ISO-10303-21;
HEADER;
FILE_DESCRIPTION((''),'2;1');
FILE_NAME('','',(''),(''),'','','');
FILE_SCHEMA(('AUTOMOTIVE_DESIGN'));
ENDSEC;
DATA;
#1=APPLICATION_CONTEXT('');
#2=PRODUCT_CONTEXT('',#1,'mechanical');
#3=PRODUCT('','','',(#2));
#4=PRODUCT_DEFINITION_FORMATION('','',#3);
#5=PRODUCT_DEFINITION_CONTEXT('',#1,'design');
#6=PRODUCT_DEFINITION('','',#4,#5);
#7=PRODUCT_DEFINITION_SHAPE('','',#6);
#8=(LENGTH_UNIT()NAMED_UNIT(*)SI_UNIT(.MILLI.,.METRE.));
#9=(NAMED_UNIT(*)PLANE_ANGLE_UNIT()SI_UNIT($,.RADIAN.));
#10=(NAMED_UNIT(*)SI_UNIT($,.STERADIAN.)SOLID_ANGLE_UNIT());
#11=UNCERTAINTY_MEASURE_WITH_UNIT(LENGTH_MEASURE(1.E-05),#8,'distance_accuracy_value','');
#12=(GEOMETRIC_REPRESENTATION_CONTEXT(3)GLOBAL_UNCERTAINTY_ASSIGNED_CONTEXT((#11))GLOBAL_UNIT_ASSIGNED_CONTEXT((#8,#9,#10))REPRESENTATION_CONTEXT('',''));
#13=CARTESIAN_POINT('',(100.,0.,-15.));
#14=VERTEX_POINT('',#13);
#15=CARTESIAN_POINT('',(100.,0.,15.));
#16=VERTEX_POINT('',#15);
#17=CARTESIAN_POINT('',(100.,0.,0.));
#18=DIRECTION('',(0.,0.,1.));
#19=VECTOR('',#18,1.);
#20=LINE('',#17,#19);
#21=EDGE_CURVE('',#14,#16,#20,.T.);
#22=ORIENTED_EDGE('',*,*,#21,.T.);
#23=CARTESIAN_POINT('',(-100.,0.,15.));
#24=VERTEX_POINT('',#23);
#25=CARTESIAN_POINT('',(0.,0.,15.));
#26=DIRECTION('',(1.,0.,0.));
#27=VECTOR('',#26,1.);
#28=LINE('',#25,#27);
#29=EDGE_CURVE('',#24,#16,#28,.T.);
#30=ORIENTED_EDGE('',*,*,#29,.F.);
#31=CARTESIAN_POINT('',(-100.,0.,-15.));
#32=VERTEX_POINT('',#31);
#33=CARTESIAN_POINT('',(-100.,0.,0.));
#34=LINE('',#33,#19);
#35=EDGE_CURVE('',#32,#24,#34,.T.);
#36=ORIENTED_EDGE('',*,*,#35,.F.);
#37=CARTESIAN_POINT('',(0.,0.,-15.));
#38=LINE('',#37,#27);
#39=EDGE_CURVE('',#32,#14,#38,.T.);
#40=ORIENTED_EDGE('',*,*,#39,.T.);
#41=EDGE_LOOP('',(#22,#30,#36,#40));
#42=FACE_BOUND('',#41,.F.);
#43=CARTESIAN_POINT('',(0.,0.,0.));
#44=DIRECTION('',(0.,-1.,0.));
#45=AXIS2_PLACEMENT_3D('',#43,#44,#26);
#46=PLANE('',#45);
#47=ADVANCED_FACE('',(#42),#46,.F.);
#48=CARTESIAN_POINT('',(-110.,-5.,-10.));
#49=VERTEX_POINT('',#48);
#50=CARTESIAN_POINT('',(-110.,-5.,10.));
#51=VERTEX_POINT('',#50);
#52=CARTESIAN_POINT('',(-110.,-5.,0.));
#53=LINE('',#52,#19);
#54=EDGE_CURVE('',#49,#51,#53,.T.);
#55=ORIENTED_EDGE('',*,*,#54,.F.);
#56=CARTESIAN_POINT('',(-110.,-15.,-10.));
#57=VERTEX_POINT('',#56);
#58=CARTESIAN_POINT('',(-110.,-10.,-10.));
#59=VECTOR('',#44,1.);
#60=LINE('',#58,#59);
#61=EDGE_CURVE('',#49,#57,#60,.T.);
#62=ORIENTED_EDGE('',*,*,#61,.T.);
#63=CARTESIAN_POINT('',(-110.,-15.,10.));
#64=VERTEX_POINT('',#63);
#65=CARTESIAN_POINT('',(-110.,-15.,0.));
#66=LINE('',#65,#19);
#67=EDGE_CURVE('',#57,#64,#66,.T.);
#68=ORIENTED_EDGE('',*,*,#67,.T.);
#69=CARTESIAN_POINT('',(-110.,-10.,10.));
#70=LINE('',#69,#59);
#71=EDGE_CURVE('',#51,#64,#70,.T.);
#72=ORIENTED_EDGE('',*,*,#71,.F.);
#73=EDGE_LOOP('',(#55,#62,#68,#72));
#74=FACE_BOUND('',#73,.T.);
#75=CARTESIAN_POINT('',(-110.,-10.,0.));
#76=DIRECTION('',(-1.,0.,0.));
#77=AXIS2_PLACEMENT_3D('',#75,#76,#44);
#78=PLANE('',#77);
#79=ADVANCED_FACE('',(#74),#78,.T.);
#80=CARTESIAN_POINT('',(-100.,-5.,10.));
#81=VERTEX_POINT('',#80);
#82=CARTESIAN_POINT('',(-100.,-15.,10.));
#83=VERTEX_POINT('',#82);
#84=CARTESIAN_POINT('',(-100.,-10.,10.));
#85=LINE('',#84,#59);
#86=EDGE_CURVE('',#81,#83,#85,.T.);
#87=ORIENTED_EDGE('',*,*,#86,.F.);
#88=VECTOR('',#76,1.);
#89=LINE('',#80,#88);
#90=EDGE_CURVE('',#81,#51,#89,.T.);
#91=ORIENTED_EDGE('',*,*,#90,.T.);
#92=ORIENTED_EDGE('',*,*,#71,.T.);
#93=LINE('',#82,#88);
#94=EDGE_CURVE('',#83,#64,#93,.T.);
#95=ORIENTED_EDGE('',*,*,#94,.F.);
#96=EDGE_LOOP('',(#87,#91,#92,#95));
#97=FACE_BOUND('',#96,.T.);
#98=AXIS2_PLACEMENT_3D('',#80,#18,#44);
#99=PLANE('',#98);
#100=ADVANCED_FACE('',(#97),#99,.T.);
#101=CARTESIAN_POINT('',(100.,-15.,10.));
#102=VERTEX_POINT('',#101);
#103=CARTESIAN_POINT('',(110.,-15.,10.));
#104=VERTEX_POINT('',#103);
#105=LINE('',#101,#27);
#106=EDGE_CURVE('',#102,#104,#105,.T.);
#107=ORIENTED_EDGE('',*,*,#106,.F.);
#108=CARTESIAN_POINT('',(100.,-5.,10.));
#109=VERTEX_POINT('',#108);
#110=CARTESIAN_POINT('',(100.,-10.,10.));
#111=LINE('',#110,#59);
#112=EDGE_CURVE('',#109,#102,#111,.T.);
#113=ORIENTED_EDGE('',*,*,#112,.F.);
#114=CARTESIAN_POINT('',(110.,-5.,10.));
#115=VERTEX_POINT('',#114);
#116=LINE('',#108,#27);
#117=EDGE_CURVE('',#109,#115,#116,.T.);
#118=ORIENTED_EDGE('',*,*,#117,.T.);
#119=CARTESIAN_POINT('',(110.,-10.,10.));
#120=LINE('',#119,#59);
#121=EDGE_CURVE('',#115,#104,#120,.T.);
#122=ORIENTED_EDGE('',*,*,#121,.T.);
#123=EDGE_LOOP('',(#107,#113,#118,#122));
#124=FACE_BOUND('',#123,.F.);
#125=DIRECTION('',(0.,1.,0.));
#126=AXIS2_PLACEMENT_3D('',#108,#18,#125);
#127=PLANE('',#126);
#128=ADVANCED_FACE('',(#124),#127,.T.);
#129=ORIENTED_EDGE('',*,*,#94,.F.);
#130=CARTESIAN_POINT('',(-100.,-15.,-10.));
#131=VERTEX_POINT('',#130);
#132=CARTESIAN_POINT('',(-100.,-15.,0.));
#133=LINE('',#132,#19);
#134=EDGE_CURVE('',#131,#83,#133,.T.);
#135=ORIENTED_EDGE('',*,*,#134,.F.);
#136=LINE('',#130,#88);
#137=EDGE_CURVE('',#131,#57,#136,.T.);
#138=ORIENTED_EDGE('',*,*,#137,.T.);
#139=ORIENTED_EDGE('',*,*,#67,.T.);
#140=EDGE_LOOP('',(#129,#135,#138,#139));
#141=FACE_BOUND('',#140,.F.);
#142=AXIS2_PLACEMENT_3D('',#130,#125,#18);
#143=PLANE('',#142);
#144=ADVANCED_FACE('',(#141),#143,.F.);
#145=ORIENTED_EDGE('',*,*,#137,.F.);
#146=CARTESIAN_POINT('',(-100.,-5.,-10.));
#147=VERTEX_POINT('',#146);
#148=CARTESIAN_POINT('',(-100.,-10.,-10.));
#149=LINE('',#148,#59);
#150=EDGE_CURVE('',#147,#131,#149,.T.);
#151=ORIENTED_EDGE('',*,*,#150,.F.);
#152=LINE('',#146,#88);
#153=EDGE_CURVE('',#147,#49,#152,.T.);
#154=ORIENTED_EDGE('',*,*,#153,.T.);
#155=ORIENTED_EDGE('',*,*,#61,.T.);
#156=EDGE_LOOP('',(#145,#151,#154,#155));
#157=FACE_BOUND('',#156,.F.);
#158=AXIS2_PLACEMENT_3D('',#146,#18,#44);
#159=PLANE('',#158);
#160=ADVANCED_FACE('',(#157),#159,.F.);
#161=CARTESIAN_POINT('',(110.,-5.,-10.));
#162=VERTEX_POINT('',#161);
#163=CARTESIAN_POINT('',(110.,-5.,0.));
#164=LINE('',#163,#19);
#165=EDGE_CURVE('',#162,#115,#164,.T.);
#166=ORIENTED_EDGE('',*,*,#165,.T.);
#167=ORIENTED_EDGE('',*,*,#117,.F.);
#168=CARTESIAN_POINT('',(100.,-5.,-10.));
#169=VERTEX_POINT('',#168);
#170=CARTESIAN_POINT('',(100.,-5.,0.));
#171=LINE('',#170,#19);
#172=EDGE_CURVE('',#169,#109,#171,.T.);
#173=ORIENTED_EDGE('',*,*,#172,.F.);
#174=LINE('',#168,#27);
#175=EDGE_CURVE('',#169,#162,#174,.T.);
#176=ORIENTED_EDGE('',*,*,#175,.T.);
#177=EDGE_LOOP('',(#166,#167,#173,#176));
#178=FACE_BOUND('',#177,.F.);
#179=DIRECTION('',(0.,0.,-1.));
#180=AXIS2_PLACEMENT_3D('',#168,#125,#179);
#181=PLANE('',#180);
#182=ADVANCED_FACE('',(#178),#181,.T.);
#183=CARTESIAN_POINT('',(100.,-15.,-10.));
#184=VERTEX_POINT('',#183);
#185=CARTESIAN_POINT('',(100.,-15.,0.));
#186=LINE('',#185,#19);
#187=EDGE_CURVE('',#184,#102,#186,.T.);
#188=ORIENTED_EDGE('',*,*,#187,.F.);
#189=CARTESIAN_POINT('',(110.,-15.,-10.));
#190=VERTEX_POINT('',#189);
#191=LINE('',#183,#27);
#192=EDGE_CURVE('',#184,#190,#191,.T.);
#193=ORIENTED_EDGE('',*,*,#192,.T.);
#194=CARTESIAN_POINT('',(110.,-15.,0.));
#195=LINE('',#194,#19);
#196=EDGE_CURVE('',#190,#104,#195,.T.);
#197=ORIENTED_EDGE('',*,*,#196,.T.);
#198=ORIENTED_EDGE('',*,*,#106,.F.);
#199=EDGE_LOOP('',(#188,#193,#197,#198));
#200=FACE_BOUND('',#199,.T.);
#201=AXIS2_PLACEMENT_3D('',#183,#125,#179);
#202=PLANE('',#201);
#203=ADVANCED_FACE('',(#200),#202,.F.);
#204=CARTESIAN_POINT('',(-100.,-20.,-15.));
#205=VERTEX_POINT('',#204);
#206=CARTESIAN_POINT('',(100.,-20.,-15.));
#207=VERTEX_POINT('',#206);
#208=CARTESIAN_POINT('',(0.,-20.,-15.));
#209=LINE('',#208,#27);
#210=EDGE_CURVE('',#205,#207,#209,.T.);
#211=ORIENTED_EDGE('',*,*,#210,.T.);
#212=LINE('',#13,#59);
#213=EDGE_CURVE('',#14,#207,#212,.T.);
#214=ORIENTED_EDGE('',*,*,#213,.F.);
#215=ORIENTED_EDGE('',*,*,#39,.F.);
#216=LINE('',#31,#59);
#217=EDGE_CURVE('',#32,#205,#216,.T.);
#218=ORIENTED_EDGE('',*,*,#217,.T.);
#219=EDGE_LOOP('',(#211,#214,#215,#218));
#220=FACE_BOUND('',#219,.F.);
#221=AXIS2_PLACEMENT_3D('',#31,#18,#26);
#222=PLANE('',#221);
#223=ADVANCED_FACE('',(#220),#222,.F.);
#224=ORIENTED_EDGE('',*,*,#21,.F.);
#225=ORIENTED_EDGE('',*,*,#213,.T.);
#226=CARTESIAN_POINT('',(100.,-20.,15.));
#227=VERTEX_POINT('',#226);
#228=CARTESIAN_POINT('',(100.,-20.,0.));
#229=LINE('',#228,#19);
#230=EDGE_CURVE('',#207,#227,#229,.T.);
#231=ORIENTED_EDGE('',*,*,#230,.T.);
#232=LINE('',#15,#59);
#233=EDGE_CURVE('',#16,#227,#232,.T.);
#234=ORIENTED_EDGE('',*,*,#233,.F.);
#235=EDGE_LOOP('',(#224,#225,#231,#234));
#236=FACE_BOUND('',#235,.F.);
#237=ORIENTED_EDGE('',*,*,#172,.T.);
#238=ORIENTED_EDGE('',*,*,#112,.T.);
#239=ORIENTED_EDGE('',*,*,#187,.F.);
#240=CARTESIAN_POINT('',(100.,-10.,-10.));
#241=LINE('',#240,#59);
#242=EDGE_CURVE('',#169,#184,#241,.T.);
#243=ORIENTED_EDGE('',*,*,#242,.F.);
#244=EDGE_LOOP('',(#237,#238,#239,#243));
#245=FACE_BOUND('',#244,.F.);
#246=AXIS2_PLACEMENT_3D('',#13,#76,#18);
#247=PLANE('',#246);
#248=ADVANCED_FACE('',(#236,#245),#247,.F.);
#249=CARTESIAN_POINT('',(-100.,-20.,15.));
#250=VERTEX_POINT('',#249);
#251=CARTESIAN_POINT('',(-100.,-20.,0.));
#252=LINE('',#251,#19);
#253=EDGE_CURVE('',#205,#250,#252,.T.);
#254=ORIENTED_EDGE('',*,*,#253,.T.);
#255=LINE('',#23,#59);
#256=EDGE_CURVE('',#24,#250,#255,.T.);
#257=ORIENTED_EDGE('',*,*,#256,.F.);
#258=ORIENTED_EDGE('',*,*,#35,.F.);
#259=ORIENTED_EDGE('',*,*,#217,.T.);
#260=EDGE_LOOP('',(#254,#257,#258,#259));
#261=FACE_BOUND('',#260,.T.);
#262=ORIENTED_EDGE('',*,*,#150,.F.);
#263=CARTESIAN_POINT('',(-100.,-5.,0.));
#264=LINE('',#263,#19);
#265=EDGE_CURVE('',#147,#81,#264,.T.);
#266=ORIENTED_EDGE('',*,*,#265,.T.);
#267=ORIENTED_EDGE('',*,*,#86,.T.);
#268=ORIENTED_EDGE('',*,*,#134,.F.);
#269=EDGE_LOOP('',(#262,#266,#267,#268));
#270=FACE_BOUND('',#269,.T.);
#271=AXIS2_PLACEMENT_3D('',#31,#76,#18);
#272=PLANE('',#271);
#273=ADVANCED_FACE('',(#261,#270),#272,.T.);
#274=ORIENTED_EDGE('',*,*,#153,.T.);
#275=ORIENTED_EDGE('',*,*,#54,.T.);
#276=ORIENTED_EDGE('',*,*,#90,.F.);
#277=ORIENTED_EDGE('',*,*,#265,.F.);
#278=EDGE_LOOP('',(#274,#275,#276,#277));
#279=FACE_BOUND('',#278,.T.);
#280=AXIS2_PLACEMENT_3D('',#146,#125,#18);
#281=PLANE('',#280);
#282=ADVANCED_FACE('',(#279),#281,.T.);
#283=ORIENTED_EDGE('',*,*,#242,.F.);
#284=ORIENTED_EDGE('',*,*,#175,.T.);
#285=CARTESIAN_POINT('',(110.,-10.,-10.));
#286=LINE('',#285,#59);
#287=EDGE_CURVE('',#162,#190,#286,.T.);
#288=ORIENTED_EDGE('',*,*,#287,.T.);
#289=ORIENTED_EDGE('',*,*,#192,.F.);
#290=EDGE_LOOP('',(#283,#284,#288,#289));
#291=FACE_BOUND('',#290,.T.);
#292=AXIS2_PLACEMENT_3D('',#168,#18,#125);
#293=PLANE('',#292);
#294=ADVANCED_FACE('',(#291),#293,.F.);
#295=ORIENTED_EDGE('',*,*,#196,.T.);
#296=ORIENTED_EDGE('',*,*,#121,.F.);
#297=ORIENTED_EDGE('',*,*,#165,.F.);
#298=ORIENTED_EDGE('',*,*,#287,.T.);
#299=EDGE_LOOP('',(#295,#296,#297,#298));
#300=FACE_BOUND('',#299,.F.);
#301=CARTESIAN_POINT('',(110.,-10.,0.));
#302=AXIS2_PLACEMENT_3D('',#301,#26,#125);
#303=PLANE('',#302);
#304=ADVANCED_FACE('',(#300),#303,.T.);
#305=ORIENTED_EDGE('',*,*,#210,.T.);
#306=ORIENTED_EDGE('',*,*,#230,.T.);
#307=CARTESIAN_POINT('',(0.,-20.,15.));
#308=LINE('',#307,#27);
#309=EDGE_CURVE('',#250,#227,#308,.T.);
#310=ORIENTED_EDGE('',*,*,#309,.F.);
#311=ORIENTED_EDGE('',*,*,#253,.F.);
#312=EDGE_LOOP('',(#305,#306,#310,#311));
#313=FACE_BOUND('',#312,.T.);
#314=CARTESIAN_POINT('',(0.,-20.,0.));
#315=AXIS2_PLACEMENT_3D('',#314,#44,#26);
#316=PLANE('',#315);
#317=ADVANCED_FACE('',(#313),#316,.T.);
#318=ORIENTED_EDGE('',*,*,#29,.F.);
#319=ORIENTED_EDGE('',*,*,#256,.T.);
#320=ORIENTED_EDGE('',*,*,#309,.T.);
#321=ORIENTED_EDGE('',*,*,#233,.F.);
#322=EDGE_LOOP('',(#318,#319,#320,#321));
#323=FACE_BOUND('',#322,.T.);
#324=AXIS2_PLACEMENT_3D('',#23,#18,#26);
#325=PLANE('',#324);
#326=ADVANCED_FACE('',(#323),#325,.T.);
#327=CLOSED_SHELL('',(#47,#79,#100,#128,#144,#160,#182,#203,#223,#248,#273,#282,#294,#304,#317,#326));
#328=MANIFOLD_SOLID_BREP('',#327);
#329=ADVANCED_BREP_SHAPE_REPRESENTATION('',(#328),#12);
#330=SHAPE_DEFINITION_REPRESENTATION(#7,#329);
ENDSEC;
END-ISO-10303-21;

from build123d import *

# Parameters (mm, degrees)
F0_W     = 200
F0_H     = 30
F1_DEPTH = 20
F2_W     = 10
F2_H     = 20
F3_DEPTH = 10


with BuildPart() as f1:
    # F0 (on Front) → F1 (new body)
    with BuildSketch(Plane.XZ):
        Rectangle(F0_W, F0_H)
    extrude(amount=F1_DEPTH)

    # F2 (on face) → F3 (join)
    with BuildSketch(Plane(origin=(-100, 0, 0), x_dir=(0, -1, 0), z_dir=(-1, 0, 0))):
        with Locations((10, 0)):
            Rectangle(F2_W, F2_H)
    extrude(amount=F3_DEPTH)

    # F4: F1 across plane


with BuildPart() as f1_1:
    add(f1.part)
    add(f1.part.mirror(Plane.YZ))


solid = f1_1.part
